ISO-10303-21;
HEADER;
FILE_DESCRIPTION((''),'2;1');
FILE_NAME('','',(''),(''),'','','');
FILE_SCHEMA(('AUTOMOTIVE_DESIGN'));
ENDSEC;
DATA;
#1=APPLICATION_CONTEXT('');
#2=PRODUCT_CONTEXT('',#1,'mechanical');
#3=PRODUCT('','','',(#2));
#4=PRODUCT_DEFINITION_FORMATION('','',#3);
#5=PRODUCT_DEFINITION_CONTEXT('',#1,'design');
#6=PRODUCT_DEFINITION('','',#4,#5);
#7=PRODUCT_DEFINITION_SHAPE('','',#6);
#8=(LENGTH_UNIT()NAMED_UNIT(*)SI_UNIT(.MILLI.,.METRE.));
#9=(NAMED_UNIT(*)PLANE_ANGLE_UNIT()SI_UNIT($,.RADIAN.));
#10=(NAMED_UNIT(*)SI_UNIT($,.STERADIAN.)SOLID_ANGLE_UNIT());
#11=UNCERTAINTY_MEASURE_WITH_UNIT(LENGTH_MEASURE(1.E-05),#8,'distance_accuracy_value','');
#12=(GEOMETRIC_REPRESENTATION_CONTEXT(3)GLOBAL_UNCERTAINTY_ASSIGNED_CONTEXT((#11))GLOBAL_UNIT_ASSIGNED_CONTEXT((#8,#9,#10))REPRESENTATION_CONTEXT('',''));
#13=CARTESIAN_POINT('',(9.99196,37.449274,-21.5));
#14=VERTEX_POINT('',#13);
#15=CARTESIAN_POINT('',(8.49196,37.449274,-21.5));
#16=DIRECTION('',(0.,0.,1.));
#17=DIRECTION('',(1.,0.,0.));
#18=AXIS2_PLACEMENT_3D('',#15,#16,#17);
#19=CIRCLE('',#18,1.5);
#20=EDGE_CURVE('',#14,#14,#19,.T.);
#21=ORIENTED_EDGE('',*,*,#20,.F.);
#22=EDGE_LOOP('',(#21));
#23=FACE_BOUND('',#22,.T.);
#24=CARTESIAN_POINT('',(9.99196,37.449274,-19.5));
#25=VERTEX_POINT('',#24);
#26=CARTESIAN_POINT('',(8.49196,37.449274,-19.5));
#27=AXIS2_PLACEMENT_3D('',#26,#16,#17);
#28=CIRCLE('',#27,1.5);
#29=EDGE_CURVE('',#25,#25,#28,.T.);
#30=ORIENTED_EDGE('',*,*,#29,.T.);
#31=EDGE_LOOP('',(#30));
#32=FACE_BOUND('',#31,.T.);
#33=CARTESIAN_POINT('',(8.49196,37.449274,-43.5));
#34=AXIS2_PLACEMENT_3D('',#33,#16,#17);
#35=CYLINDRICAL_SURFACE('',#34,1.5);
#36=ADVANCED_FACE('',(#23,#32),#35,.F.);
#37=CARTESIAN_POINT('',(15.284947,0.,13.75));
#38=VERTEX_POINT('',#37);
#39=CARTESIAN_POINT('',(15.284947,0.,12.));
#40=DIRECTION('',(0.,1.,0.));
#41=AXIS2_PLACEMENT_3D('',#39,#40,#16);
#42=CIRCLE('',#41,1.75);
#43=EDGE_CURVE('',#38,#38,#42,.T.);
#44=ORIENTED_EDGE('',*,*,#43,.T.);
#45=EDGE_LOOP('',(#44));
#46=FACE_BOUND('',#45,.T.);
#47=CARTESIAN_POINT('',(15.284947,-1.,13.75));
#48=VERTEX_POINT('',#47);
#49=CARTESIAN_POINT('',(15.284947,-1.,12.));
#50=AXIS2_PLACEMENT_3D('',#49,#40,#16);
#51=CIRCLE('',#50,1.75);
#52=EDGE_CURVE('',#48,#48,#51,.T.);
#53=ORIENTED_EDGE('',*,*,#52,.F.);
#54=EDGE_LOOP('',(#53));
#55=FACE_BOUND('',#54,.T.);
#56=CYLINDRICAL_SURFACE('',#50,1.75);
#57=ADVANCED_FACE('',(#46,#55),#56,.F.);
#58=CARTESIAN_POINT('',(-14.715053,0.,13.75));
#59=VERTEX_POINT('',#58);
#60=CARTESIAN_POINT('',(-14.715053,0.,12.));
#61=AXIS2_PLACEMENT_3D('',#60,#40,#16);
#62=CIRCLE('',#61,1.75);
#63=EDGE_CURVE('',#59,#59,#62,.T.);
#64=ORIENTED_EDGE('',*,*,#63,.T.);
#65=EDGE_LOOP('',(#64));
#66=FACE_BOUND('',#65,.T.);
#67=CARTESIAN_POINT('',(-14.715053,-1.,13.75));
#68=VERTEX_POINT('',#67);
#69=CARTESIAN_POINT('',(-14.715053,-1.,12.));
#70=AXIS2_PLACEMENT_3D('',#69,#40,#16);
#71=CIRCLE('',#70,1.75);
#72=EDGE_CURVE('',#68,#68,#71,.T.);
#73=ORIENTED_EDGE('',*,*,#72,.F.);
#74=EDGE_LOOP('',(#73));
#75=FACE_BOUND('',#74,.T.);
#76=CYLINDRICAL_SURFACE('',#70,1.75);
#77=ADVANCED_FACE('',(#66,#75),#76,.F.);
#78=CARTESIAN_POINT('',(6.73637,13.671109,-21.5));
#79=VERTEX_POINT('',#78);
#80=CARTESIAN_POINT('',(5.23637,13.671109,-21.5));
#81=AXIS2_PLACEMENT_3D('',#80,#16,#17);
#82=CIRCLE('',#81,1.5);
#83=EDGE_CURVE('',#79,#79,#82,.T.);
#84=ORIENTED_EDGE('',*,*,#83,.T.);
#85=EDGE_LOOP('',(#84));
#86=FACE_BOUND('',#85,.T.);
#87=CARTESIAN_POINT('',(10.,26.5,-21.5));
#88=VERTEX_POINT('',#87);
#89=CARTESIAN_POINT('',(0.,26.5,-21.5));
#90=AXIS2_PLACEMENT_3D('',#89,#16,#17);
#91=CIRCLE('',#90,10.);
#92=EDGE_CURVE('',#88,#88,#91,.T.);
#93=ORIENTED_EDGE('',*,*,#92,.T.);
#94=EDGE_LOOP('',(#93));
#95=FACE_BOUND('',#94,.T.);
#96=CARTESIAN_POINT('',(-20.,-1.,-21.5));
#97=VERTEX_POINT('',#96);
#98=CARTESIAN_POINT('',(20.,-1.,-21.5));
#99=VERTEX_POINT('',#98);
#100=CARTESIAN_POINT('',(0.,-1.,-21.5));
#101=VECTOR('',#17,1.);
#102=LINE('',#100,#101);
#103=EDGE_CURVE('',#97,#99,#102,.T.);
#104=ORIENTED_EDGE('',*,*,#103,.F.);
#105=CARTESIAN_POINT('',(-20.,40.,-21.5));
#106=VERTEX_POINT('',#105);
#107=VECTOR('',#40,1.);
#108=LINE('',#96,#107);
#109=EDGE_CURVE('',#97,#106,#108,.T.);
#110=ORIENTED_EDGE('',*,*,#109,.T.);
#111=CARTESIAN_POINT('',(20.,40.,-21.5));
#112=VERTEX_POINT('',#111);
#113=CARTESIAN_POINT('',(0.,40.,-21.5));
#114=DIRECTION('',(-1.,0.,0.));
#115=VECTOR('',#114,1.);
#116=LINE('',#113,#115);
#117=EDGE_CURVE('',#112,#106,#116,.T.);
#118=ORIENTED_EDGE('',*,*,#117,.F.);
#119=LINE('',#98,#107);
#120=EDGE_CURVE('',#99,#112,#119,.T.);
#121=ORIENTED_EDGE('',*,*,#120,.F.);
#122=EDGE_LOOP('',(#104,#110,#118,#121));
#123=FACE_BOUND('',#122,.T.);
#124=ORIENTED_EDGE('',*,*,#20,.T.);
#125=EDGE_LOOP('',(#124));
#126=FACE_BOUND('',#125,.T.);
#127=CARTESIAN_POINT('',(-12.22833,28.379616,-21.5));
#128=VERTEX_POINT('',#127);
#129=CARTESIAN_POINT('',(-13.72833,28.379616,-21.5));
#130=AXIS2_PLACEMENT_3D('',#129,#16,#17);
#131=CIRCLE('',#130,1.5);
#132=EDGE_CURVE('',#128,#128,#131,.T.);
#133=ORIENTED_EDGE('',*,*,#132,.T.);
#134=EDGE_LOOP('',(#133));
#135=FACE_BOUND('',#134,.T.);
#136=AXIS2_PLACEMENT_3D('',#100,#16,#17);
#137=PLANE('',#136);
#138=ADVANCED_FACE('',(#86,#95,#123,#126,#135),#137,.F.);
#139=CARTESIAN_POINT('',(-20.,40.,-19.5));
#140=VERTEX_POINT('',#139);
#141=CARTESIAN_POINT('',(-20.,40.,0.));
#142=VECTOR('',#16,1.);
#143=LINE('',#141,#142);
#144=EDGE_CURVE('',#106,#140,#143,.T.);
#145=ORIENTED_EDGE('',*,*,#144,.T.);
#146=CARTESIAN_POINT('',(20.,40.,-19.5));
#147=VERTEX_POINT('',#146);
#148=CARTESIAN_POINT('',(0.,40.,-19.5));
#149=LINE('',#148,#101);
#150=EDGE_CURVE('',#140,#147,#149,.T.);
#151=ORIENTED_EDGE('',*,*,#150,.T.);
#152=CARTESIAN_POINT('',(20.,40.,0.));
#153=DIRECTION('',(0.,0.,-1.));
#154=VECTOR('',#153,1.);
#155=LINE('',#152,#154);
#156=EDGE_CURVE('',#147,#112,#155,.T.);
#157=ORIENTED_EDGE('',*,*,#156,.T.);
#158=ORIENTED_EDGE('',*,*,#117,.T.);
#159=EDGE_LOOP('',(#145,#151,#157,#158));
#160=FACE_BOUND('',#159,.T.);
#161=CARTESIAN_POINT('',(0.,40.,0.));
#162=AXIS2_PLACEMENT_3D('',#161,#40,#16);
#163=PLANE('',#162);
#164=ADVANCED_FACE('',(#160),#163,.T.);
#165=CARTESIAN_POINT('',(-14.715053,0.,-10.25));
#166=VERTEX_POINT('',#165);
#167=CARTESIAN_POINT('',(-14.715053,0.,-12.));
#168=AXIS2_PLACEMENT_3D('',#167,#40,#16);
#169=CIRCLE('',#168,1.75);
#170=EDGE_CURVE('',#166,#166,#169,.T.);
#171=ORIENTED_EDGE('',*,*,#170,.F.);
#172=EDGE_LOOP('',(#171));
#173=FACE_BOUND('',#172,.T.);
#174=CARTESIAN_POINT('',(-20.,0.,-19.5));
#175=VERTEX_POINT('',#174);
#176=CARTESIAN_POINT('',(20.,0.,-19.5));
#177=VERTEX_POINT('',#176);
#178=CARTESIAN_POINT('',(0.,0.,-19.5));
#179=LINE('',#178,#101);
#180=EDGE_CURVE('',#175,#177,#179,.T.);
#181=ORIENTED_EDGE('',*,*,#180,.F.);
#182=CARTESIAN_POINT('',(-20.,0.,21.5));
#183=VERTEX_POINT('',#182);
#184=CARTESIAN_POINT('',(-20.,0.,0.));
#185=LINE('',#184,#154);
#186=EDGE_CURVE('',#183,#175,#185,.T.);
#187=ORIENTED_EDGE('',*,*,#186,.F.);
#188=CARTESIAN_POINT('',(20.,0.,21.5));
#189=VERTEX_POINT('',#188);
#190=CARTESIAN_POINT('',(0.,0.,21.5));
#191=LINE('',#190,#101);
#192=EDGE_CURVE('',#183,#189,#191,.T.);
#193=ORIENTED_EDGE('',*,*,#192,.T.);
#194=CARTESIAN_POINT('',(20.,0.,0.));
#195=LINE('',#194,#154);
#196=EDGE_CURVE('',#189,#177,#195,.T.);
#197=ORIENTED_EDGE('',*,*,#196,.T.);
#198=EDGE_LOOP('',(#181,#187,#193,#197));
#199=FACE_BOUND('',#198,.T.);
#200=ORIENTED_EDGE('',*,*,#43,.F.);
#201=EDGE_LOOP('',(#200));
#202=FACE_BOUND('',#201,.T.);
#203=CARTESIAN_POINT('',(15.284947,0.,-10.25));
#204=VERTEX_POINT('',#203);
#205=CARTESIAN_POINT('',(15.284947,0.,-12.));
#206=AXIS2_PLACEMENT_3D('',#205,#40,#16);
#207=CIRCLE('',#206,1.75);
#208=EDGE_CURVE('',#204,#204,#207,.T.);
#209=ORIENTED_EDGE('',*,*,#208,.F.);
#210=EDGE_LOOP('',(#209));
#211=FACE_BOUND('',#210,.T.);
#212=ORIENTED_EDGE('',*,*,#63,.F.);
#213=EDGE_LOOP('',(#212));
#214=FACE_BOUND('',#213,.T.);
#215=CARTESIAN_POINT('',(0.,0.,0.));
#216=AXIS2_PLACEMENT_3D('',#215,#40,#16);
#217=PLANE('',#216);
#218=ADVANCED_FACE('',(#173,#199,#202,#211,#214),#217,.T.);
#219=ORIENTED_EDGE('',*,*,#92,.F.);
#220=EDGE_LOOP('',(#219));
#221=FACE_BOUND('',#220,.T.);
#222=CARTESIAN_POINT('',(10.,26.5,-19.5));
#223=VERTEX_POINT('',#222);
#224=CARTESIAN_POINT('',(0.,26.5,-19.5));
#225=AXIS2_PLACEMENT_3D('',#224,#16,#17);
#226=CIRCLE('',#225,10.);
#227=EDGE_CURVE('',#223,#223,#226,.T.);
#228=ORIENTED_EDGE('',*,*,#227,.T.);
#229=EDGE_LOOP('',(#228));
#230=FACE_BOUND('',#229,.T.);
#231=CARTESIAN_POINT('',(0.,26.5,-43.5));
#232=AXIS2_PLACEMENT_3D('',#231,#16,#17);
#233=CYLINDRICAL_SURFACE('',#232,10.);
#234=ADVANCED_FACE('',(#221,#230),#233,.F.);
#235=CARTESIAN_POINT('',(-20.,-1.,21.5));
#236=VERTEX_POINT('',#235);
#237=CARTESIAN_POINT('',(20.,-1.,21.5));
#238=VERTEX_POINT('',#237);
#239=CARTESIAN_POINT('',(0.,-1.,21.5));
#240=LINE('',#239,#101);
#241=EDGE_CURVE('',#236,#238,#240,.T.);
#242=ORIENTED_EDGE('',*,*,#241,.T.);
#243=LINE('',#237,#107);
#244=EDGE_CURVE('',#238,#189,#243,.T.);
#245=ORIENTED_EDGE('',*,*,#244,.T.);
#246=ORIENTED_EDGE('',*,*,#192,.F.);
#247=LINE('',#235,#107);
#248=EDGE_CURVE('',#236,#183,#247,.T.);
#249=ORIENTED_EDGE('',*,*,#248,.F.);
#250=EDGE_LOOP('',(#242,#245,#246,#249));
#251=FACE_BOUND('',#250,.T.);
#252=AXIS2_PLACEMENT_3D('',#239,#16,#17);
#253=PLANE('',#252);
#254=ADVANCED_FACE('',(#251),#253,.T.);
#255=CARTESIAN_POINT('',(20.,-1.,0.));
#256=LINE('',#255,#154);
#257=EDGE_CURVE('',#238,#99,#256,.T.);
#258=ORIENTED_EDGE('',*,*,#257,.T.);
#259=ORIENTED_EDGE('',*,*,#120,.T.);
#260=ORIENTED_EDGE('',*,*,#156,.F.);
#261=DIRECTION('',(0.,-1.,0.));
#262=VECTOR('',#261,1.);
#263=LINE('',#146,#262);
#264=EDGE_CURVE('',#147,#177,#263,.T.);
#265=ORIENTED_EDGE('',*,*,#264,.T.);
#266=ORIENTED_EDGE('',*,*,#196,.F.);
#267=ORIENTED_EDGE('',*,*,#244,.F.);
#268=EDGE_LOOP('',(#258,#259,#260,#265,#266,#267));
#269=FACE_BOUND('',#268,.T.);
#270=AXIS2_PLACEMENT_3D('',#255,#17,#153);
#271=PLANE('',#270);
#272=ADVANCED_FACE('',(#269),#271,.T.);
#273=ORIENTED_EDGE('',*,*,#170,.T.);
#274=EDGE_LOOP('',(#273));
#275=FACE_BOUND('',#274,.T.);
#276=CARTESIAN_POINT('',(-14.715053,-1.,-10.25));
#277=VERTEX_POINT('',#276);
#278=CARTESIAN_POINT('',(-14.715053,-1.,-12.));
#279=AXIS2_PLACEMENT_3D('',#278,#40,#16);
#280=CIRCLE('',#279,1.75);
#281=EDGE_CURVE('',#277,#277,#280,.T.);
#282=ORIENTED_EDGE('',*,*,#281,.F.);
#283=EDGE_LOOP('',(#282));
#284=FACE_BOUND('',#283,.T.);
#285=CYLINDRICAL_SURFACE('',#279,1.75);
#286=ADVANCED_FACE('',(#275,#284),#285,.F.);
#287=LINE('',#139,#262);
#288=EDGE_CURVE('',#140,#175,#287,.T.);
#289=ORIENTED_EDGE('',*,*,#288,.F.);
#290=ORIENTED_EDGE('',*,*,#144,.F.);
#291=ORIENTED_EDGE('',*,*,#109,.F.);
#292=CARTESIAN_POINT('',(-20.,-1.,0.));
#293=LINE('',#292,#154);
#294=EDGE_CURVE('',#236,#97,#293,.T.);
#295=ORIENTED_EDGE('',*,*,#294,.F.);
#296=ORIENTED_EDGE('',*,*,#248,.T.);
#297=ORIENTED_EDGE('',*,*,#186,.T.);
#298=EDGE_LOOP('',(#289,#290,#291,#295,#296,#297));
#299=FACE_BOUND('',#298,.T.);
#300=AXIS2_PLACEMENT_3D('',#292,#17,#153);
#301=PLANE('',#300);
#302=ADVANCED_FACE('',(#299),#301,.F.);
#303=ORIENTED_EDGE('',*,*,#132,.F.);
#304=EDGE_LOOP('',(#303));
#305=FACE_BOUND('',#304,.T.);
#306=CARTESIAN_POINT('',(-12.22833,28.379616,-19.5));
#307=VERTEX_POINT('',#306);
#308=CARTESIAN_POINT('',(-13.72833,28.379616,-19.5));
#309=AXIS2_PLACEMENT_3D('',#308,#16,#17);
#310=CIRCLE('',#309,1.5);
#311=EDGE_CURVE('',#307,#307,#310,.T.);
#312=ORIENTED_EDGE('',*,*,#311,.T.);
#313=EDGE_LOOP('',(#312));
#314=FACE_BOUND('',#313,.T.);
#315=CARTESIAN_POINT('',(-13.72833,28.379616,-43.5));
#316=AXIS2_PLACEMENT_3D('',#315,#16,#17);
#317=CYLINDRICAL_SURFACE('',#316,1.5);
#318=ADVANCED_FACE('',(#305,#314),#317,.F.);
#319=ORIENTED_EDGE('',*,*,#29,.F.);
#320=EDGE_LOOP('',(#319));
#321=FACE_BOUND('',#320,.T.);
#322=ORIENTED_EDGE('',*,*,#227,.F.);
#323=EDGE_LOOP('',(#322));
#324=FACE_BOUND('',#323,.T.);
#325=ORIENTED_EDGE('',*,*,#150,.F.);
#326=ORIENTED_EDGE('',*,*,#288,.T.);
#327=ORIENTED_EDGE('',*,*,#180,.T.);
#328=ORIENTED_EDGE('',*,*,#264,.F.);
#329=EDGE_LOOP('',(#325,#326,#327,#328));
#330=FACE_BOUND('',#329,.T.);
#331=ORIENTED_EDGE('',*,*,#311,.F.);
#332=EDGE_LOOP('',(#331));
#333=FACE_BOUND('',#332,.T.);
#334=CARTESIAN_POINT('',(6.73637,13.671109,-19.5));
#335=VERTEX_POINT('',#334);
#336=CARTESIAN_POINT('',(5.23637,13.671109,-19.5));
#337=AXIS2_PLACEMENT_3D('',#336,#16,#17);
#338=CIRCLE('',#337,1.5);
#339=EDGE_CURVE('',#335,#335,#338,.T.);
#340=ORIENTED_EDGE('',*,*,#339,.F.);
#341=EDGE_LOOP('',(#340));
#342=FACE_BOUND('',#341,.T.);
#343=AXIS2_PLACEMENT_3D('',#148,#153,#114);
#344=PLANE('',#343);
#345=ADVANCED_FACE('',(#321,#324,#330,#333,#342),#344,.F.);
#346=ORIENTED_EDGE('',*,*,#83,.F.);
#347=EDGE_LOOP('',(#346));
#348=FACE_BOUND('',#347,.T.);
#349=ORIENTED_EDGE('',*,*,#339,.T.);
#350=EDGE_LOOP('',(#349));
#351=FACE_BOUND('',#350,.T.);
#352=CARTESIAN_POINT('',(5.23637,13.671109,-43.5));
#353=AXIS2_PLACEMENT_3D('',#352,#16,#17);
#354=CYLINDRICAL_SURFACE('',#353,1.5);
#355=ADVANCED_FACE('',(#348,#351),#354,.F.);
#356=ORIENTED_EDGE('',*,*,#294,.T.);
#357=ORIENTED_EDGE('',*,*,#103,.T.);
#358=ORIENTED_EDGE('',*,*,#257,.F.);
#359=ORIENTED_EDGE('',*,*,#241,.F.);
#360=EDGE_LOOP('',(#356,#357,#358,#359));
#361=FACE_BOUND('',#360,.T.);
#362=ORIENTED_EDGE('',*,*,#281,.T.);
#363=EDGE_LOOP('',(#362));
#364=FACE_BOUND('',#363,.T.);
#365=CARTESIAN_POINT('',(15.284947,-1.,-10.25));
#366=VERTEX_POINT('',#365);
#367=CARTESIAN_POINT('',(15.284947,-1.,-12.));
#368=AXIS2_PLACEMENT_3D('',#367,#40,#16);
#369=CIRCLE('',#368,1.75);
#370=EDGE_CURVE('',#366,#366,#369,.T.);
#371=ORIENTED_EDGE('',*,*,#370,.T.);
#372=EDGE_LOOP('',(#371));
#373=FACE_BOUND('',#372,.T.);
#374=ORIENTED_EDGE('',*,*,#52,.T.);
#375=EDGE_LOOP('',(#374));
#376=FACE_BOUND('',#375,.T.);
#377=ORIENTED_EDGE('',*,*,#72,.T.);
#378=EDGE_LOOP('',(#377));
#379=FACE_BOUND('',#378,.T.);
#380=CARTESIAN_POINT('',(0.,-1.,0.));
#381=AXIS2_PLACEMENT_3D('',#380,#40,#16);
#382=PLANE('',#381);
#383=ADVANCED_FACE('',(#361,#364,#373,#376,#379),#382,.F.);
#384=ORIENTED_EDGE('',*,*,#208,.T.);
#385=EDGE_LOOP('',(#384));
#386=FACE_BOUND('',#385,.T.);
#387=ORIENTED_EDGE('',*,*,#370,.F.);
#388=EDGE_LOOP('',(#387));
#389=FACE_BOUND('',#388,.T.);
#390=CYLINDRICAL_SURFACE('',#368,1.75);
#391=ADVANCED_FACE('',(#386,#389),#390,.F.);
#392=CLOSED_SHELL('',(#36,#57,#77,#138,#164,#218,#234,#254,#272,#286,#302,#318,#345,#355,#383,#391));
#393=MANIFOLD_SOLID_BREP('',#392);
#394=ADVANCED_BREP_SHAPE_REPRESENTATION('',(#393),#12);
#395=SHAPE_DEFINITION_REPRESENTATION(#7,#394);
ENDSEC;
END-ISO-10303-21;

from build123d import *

# Parameters (mm, degrees)
SKETCH1_W           = 40
SKETCH1_H           = 43
SKETCH1_R           = 1.75
BOSS_EXTRUDE1_DEPTH = 1
SKETCH4_W           = 40
SKETCH4_H           = 2
BOSS_EXTRUDE2_DEPTH = 40
SKETCH5_R           = 1.5
SKETCH5_R_2         = 10
CUT_EXTRUDE1_DEPTH  = 24


with BuildPart() as part:
    # Sketch1 → Boss-Extrude1 (new body)
    with BuildSketch(Plane(origin=(0, 0, 0), x_dir=(1, 0, 0), z_dir=(0, 1, 0))):
        Rectangle(SKETCH1_W, SKETCH1_H)
        with Locations(Location((-14.715053003, 12, 0), (0, 0, 270))):
            Circle(SKETCH1_R, mode=Mode.SUBTRACT)
        with Locations(Location((15.284946997, 12, 0), (0, 0, 270))):
            Circle(SKETCH1_R, mode=Mode.SUBTRACT)
        with Locations(Location((-14.715053003, -12, 0), (0, 0, 270))):
            Circle(SKETCH1_R, mode=Mode.SUBTRACT)
        with Locations(Location((15.284946997, -12, 0), (0, 0, 270))):
            Circle(SKETCH1_R, mode=Mode.SUBTRACT)
    extrude(amount=-BOSS_EXTRUDE1_DEPTH)

    # Sketch4 → Boss-Extrude2 (add)
    with BuildSketch(Plane(origin=(0, 0, 0), x_dir=(1, 0, 0), z_dir=(0, 1, 0))):
        with Locations((0, 20.5)):
            Rectangle(SKETCH4_W, SKETCH4_H)
    extrude(amount=BOSS_EXTRUDE2_DEPTH)

    # Sketch5 → Cut-Extrude1 (cut)
    with BuildSketch(Plane.XY.offset(-19.5)):
        with Locations((8.491960292, 37.449274423)):
            Circle(SKETCH5_R)
        with Locations((-13.72832995, 28.379616129)):
            Circle(SKETCH5_R)
        with Locations((5.236369657, 13.671109447)):
            Circle(SKETCH5_R)
        with Locations((0, 26.5)):
            Circle(SKETCH5_R_2)
    extrude(amount=-CUT_EXTRUDE1_DEPTH, mode=Mode.SUBTRACT)


solid = part.part
